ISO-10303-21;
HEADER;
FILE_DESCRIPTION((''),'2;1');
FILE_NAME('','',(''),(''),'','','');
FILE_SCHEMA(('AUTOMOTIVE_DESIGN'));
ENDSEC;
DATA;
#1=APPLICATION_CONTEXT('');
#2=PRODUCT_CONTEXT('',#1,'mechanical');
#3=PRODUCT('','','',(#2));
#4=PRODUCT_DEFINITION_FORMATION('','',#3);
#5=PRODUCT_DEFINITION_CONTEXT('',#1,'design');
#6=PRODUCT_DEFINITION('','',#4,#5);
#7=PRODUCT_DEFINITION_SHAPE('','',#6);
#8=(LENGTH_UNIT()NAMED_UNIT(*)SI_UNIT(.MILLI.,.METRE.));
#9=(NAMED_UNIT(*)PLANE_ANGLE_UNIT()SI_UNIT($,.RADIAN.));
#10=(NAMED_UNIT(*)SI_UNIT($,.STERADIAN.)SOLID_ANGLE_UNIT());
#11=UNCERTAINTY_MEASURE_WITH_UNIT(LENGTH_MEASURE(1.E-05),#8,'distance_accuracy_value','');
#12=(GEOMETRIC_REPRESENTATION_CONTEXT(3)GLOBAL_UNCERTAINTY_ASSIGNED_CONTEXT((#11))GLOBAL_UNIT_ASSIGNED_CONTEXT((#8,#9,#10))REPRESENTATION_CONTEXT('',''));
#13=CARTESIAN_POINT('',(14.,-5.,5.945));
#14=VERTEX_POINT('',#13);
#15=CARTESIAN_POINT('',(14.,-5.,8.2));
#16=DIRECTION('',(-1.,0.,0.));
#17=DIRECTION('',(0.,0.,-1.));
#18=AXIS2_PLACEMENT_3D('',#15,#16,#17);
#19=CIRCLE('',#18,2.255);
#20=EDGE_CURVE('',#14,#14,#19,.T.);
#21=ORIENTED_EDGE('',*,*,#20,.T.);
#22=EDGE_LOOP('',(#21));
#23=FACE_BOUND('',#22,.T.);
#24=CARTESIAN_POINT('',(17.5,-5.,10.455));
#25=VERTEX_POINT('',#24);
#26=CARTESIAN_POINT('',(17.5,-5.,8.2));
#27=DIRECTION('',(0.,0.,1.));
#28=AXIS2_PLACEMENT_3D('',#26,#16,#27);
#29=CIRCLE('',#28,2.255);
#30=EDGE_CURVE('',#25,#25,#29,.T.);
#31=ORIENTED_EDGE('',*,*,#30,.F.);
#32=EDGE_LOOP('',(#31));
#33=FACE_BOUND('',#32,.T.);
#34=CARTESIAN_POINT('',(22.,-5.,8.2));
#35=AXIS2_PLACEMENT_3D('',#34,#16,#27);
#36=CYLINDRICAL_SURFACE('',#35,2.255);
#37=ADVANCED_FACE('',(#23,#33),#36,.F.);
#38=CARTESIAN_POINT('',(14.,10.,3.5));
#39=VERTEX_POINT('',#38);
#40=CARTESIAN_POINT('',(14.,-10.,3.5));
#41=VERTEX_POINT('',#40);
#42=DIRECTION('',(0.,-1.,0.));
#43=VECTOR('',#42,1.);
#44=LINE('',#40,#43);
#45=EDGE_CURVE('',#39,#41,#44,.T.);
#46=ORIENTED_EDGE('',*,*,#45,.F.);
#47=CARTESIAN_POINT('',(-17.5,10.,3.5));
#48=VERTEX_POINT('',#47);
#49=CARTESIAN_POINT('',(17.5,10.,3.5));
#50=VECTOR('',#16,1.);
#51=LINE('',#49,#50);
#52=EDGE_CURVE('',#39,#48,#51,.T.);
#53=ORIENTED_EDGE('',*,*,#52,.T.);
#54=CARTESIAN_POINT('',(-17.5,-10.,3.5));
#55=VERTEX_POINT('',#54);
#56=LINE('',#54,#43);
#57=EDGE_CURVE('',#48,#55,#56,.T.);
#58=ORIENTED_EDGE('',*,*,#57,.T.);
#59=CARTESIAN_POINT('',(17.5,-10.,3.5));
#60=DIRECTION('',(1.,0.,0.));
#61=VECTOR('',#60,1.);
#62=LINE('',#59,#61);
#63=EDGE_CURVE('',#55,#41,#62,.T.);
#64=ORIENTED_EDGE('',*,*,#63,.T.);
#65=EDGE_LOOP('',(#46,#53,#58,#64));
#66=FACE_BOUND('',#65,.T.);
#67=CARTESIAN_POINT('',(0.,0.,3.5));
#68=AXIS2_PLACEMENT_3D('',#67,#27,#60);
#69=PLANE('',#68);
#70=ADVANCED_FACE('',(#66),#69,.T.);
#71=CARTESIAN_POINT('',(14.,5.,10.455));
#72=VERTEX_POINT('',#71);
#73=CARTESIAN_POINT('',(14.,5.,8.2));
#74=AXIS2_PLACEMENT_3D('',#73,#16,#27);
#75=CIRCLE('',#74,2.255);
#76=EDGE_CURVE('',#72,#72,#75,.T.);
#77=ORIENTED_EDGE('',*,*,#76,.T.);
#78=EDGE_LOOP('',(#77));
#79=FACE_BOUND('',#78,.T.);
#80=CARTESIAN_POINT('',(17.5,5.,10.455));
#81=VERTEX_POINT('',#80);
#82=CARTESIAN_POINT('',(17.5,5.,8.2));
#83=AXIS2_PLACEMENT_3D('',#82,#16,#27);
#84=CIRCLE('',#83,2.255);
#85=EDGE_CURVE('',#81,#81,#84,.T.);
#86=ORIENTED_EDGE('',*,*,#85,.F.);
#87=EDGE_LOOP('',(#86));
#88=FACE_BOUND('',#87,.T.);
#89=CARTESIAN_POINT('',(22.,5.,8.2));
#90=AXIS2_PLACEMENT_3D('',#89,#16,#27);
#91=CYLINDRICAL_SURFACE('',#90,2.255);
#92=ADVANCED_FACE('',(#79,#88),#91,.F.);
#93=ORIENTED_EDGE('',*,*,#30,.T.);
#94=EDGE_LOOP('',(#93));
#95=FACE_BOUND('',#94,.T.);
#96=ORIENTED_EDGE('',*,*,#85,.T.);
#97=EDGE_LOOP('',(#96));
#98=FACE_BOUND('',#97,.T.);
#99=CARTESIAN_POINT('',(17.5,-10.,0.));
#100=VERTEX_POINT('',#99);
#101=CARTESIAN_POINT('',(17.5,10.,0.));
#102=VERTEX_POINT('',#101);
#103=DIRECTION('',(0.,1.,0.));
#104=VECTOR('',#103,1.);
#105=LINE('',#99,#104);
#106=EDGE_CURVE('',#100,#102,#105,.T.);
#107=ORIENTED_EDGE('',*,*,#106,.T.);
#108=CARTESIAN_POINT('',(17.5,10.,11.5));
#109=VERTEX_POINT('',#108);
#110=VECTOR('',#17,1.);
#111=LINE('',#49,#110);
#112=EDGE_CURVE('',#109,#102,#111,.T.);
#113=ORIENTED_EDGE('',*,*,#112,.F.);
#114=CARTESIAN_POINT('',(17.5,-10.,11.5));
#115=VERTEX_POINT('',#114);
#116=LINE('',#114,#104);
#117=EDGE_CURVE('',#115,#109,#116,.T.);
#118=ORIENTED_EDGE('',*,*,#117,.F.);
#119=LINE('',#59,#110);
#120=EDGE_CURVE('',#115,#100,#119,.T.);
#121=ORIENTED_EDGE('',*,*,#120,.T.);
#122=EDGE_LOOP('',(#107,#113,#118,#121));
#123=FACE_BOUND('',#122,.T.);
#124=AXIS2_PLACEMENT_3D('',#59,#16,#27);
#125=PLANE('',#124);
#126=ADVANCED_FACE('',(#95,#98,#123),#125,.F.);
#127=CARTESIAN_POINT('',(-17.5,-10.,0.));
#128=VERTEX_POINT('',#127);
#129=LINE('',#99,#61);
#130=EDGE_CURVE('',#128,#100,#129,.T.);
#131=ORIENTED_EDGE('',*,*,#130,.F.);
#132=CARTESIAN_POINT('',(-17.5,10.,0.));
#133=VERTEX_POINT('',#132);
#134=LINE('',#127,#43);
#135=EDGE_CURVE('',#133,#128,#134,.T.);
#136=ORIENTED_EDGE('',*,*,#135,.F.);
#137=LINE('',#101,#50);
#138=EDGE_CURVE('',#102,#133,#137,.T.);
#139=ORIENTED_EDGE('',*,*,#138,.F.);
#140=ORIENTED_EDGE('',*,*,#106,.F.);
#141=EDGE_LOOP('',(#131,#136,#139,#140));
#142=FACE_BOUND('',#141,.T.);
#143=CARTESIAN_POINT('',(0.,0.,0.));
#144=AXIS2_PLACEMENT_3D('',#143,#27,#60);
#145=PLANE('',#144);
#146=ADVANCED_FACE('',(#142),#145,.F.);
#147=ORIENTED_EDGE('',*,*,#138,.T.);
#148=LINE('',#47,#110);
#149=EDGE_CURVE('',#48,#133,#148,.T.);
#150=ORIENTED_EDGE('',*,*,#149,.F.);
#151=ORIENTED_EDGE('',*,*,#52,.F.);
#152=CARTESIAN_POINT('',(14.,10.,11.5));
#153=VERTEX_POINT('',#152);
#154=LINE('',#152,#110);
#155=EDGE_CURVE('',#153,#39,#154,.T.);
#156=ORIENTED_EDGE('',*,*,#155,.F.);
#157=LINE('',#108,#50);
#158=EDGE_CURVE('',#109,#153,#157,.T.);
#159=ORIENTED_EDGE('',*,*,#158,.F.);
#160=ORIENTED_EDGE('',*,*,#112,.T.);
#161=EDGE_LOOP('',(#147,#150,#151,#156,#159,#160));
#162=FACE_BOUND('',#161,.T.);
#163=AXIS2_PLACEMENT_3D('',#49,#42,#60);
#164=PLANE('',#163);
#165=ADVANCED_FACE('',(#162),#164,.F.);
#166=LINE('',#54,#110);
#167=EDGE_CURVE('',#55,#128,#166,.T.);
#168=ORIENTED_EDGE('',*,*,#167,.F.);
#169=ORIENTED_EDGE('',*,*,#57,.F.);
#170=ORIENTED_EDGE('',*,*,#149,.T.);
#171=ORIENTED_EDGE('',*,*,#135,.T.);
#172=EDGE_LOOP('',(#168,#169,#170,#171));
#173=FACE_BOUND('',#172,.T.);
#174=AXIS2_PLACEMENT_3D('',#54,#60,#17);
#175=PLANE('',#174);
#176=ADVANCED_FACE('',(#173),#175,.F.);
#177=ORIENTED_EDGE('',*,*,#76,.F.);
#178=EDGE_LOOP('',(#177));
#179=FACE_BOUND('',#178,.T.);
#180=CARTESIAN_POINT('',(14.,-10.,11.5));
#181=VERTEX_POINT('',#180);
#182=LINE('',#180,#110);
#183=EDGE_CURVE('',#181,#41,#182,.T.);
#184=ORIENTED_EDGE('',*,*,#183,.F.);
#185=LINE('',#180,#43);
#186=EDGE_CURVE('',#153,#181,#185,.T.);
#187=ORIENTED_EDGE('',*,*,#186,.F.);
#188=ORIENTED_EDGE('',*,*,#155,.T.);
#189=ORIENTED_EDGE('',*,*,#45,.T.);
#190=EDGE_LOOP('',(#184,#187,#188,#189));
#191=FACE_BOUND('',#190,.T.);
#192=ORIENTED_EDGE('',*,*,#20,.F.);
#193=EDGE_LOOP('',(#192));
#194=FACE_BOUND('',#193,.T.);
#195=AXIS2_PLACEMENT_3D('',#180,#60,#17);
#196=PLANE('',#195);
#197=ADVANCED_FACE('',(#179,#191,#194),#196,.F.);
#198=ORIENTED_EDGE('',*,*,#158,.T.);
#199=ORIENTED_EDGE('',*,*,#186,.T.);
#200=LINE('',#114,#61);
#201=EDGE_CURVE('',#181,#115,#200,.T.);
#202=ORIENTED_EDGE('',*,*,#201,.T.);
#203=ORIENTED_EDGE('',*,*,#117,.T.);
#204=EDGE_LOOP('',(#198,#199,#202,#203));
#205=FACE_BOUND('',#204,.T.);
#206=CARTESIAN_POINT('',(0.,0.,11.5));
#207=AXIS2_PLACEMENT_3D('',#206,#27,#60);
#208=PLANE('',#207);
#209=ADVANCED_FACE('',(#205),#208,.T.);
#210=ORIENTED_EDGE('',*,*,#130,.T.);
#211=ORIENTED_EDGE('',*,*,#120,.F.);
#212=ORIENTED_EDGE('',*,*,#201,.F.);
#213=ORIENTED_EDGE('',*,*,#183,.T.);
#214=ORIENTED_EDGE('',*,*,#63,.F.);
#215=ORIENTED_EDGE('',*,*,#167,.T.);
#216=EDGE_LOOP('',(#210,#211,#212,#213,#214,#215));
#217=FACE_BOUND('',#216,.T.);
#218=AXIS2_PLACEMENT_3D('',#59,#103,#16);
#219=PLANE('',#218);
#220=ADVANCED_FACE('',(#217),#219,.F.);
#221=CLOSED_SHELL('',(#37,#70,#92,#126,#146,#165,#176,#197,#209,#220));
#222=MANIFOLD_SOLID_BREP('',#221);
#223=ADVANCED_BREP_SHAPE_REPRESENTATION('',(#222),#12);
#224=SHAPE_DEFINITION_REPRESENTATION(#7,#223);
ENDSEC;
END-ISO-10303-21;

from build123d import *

# Parameters (mm, degrees)
SKETCH_1_W          = 35
SKETCH_1_H          = 20
EXTRUDE_1_DEPTH     = 3.5
SKETCH_2_W          = 3.5
SKETCH_2_H          = 20
EXTRUDE_2_DEPTH     = 8
SKETCH_3_R          = 2.255
CUT_EXTRUDE_1_DEPTH = 8


with BuildPart() as part:
    # 草图1 → 凸台-拉伸1 (new body)
    with BuildSketch(Plane.XY):
        Rectangle(SKETCH_1_W, SKETCH_1_H)
    extrude(amount=EXTRUDE_1_DEPTH)

    # 草图2 → 凸台-拉伸2 (add)
    with BuildSketch(Plane.XY.offset(3.5)):
        with Locations((15.75, 0)):
            Rectangle(SKETCH_2_W, SKETCH_2_H)
    extrude(amount=EXTRUDE_2_DEPTH)

    # 草图3 → 切除-拉伸1 (cut)
    with BuildSketch(Plane.ZY.offset(-14)):
        with Locations((8.2, 5)):
            Circle(SKETCH_3_R)
        with Locations((8.2, -5)):
            Circle(SKETCH_3_R)
    extrude(amount=-CUT_EXTRUDE_1_DEPTH, mode=Mode.SUBTRACT)


solid = part.part
